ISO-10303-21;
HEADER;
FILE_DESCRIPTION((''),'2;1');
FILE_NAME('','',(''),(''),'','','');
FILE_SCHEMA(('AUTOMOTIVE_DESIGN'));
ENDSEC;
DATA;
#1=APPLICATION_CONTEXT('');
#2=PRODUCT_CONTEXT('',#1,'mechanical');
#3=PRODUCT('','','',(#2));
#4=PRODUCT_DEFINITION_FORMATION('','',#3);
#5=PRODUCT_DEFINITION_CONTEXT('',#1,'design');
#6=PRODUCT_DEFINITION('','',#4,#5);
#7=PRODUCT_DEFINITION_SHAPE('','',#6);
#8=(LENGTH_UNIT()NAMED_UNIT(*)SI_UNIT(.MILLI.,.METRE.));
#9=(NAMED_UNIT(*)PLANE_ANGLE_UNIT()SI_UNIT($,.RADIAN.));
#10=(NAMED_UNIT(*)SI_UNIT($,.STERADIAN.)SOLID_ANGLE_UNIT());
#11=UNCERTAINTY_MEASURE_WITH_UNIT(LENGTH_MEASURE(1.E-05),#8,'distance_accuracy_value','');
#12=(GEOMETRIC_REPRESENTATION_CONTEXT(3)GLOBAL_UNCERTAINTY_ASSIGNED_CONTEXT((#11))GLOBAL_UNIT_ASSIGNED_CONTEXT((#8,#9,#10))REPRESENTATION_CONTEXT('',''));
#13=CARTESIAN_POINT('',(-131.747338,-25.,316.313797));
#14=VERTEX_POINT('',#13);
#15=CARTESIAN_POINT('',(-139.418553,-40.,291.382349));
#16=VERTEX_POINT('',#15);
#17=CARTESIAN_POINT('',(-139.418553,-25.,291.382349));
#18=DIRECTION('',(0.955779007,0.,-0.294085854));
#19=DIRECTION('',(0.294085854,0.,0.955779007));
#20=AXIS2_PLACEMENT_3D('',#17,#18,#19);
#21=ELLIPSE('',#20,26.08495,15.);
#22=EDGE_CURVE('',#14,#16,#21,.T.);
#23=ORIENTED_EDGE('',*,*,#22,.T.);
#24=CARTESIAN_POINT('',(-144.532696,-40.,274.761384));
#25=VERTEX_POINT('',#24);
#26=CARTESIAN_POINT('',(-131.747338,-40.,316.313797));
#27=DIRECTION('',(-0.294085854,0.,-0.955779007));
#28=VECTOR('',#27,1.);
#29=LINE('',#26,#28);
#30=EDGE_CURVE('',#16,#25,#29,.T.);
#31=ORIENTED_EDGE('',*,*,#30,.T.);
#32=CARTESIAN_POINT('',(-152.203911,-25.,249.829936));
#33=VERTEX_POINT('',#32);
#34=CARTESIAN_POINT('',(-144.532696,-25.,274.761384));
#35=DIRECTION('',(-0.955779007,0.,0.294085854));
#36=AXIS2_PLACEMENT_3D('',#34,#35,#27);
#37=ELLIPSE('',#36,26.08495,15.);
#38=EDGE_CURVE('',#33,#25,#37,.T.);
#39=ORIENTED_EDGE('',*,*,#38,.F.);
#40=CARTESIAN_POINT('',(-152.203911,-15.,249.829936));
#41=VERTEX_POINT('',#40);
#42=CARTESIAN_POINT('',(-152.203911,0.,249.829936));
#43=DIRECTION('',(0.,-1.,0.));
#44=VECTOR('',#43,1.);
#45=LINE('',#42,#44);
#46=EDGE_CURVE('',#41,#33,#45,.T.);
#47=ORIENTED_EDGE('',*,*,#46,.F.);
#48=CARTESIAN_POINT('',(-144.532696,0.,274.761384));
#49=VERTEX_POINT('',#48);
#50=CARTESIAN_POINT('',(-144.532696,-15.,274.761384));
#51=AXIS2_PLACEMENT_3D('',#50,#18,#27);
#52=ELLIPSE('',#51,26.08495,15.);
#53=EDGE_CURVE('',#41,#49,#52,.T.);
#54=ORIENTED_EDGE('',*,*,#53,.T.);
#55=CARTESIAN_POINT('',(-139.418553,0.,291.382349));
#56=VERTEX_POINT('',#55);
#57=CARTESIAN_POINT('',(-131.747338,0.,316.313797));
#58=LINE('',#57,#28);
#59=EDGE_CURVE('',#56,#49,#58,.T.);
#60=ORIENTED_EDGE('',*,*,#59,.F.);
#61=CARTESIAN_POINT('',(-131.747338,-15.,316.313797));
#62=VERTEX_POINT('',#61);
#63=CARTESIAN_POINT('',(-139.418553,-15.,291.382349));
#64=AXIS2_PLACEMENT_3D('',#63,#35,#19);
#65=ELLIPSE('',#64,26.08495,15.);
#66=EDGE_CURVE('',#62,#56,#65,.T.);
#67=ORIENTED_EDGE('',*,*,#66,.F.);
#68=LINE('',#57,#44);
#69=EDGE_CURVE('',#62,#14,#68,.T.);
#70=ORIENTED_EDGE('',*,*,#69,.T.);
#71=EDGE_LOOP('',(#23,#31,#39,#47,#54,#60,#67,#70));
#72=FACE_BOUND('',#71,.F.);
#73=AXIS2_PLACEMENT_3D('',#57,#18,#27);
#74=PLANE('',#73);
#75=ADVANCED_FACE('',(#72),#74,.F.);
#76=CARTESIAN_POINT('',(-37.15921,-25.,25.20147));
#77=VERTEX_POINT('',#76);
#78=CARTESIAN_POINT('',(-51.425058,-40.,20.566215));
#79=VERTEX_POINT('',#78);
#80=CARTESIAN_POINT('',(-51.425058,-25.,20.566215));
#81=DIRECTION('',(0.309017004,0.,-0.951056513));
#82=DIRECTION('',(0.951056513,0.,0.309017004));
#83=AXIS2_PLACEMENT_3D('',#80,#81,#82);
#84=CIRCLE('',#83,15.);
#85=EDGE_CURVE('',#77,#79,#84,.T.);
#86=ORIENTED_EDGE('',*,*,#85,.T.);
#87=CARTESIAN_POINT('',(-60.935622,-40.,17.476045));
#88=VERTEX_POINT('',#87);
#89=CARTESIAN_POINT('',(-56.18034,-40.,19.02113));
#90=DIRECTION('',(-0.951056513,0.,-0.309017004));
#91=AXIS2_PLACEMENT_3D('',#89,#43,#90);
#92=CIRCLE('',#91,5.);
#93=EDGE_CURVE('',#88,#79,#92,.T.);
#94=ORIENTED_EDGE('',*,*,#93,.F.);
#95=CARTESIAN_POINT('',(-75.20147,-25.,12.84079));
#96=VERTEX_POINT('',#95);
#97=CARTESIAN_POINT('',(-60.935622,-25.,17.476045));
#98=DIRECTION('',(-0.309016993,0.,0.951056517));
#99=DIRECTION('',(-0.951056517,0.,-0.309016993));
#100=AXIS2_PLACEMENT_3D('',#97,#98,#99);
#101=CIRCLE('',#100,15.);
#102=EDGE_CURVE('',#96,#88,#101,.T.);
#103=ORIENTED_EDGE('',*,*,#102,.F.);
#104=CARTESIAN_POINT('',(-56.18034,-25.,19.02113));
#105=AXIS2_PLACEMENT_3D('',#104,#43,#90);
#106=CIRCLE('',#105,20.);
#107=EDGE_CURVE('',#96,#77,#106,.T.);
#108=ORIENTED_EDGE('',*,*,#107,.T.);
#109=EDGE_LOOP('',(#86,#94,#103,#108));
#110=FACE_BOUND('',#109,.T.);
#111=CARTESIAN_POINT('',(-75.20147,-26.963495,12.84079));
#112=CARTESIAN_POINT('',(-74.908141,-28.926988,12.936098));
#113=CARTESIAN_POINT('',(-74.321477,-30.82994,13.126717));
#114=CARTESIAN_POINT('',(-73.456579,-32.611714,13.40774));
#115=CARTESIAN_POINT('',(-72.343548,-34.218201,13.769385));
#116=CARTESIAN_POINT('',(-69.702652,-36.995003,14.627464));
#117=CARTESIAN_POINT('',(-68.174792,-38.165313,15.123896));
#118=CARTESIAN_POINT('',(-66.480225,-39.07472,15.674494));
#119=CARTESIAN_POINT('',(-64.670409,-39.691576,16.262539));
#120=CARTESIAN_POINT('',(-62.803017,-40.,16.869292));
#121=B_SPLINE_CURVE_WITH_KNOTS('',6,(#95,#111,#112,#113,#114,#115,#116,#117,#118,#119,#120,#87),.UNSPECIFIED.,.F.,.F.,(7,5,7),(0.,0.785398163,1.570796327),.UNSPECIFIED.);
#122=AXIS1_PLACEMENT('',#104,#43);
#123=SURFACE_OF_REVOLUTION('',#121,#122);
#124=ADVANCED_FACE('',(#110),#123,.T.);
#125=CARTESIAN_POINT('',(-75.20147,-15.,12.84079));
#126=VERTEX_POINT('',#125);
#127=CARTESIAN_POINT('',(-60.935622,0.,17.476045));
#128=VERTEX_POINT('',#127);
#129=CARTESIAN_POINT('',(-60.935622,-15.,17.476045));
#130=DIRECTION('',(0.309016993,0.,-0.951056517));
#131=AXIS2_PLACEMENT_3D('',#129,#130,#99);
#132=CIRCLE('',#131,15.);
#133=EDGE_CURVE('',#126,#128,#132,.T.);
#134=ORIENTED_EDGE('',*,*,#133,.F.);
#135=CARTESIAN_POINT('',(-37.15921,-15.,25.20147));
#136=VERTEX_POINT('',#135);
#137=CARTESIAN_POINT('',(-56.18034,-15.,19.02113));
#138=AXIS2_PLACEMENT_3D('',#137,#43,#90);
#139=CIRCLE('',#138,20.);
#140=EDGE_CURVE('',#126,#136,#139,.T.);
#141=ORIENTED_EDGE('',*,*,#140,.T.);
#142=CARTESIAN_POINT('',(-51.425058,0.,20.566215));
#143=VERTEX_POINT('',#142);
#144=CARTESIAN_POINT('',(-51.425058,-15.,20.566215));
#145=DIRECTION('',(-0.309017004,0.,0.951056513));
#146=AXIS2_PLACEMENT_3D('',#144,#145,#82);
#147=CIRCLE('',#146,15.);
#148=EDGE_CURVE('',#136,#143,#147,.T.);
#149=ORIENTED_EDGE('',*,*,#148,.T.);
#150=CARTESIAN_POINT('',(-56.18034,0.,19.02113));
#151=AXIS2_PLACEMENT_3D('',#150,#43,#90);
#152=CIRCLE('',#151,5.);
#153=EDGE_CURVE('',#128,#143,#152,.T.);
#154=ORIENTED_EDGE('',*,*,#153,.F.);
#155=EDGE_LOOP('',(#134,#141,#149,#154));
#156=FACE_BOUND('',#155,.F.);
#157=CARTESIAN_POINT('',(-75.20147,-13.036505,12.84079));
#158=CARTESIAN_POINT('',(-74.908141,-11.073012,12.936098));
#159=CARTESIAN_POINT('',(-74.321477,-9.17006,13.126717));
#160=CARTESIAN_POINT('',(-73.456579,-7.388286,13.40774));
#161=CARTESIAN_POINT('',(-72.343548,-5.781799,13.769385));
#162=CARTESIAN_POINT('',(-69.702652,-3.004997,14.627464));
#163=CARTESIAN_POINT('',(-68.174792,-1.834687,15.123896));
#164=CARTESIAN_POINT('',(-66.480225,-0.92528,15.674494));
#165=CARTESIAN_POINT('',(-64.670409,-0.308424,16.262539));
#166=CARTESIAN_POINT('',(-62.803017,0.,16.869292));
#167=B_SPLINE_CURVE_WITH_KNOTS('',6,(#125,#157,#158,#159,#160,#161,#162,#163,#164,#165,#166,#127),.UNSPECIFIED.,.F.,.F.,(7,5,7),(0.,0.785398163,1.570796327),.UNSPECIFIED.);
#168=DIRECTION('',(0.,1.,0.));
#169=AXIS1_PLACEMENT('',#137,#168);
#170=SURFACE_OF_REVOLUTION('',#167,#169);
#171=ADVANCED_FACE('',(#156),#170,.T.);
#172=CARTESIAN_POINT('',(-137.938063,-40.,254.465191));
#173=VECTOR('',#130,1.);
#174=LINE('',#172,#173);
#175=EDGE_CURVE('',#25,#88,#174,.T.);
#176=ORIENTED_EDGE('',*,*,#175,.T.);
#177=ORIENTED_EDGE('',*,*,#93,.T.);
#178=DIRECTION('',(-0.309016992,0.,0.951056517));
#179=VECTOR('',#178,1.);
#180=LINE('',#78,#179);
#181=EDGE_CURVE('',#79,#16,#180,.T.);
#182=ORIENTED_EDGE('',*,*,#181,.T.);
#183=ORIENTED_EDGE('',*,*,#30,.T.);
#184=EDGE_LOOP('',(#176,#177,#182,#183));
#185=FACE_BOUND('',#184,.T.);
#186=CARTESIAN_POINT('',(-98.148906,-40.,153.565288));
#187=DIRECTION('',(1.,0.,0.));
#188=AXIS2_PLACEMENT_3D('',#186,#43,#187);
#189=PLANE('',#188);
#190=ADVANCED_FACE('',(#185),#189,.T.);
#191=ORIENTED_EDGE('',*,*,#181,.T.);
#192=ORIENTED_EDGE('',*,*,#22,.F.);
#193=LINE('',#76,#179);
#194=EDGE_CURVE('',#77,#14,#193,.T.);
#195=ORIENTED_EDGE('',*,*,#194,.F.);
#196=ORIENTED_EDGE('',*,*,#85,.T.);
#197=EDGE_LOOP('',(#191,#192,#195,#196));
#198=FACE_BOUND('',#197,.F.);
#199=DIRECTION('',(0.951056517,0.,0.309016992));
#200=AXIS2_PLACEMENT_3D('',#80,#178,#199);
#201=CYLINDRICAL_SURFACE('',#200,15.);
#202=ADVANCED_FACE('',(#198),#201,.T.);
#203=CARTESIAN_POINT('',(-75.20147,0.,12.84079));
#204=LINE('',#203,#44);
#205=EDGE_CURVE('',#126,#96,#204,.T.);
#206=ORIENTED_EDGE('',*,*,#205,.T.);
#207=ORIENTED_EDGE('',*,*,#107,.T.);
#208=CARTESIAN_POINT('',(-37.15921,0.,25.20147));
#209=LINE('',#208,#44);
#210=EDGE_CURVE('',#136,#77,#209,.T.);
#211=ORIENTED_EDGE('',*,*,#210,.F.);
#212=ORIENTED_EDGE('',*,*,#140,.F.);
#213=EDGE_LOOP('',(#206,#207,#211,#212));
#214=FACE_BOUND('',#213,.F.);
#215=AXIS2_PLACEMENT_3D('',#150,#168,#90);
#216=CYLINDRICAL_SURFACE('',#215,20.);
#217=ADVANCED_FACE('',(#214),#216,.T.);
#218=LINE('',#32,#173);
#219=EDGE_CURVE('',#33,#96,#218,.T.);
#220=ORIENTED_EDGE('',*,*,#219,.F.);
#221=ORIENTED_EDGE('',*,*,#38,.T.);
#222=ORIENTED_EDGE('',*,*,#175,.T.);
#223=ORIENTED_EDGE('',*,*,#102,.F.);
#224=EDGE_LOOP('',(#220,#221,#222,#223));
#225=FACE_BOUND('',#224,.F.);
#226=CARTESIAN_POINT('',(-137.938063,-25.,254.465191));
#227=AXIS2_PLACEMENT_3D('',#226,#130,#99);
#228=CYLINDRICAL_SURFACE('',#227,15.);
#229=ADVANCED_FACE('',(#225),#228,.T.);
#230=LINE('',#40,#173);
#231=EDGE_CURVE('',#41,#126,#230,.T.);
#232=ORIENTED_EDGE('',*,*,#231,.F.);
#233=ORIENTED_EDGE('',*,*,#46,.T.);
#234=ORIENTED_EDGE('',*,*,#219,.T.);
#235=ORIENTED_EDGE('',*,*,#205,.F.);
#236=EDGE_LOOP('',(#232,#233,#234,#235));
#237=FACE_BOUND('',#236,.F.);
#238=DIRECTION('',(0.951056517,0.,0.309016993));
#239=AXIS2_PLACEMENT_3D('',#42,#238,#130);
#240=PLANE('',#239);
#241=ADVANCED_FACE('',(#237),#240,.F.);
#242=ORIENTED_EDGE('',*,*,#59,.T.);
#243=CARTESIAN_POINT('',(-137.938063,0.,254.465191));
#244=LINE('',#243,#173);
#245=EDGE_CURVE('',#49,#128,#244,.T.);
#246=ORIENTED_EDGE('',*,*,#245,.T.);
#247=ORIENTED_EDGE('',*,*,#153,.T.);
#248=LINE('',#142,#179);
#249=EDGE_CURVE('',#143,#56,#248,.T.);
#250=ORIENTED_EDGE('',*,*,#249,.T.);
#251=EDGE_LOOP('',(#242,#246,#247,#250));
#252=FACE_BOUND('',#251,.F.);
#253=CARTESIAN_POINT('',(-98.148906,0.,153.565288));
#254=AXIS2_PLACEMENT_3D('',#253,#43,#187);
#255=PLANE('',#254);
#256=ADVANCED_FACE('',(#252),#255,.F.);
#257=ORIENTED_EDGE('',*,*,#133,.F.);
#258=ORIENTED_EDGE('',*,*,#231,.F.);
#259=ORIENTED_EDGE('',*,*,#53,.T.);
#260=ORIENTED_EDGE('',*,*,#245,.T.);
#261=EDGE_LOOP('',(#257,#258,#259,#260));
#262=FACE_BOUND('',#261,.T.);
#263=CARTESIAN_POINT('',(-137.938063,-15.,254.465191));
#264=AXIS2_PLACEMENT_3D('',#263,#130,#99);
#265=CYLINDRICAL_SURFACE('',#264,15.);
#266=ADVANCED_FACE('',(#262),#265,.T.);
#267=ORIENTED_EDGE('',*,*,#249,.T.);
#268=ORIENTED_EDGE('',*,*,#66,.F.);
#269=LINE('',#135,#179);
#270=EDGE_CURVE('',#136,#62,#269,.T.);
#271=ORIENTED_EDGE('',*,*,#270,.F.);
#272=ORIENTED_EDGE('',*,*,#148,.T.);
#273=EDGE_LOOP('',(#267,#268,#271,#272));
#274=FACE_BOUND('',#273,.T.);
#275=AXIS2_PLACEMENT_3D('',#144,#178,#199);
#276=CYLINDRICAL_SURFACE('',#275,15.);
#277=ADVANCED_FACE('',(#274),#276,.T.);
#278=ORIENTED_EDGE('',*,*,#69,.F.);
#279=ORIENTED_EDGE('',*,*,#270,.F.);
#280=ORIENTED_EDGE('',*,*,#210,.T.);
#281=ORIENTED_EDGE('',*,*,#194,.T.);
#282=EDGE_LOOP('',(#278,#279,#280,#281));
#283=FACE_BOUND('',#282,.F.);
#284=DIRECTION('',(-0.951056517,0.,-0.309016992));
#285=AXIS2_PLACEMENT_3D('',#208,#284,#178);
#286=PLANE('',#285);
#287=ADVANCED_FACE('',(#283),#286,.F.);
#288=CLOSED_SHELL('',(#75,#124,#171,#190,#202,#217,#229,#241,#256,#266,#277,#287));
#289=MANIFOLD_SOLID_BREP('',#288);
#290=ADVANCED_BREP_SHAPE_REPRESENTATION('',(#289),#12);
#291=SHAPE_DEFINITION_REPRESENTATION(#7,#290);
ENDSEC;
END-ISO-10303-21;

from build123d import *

# Parameters (mm, degrees)
F1_DEPTH = 40
F2_R     = 15


with BuildPart() as f1:
    # F0 (on Front) → F1 (new body)
    with BuildSketch(Plane.XZ):
        with BuildLine():
            ThreePointArc((-75.20147, 12.84079), (-50, 0), (-37.15921, 25.20147))
            Line((-37.15921, 25.20147), (-131.747338, 316.313797))
            Line((-131.747338, 316.313797), (-152.203911, 249.829936))
            Line((-152.203911, 249.829936), (-75.20147, 12.84079))
        make_face()
    extrude(amount=F1_DEPTH)

    # F2
    f2_edges = [f1.edges().sort_by_distance(p)[0] for p in [
        (-113.702691, 0, 131.335363),
        (-84.453274, 0, 170.757634),
        (-113.702691, -40, 131.335363),
        (-84.453274, -40, 170.757634),
    ]]
    fillet(f2_edges, radius=F2_R)


solid = f1.part
